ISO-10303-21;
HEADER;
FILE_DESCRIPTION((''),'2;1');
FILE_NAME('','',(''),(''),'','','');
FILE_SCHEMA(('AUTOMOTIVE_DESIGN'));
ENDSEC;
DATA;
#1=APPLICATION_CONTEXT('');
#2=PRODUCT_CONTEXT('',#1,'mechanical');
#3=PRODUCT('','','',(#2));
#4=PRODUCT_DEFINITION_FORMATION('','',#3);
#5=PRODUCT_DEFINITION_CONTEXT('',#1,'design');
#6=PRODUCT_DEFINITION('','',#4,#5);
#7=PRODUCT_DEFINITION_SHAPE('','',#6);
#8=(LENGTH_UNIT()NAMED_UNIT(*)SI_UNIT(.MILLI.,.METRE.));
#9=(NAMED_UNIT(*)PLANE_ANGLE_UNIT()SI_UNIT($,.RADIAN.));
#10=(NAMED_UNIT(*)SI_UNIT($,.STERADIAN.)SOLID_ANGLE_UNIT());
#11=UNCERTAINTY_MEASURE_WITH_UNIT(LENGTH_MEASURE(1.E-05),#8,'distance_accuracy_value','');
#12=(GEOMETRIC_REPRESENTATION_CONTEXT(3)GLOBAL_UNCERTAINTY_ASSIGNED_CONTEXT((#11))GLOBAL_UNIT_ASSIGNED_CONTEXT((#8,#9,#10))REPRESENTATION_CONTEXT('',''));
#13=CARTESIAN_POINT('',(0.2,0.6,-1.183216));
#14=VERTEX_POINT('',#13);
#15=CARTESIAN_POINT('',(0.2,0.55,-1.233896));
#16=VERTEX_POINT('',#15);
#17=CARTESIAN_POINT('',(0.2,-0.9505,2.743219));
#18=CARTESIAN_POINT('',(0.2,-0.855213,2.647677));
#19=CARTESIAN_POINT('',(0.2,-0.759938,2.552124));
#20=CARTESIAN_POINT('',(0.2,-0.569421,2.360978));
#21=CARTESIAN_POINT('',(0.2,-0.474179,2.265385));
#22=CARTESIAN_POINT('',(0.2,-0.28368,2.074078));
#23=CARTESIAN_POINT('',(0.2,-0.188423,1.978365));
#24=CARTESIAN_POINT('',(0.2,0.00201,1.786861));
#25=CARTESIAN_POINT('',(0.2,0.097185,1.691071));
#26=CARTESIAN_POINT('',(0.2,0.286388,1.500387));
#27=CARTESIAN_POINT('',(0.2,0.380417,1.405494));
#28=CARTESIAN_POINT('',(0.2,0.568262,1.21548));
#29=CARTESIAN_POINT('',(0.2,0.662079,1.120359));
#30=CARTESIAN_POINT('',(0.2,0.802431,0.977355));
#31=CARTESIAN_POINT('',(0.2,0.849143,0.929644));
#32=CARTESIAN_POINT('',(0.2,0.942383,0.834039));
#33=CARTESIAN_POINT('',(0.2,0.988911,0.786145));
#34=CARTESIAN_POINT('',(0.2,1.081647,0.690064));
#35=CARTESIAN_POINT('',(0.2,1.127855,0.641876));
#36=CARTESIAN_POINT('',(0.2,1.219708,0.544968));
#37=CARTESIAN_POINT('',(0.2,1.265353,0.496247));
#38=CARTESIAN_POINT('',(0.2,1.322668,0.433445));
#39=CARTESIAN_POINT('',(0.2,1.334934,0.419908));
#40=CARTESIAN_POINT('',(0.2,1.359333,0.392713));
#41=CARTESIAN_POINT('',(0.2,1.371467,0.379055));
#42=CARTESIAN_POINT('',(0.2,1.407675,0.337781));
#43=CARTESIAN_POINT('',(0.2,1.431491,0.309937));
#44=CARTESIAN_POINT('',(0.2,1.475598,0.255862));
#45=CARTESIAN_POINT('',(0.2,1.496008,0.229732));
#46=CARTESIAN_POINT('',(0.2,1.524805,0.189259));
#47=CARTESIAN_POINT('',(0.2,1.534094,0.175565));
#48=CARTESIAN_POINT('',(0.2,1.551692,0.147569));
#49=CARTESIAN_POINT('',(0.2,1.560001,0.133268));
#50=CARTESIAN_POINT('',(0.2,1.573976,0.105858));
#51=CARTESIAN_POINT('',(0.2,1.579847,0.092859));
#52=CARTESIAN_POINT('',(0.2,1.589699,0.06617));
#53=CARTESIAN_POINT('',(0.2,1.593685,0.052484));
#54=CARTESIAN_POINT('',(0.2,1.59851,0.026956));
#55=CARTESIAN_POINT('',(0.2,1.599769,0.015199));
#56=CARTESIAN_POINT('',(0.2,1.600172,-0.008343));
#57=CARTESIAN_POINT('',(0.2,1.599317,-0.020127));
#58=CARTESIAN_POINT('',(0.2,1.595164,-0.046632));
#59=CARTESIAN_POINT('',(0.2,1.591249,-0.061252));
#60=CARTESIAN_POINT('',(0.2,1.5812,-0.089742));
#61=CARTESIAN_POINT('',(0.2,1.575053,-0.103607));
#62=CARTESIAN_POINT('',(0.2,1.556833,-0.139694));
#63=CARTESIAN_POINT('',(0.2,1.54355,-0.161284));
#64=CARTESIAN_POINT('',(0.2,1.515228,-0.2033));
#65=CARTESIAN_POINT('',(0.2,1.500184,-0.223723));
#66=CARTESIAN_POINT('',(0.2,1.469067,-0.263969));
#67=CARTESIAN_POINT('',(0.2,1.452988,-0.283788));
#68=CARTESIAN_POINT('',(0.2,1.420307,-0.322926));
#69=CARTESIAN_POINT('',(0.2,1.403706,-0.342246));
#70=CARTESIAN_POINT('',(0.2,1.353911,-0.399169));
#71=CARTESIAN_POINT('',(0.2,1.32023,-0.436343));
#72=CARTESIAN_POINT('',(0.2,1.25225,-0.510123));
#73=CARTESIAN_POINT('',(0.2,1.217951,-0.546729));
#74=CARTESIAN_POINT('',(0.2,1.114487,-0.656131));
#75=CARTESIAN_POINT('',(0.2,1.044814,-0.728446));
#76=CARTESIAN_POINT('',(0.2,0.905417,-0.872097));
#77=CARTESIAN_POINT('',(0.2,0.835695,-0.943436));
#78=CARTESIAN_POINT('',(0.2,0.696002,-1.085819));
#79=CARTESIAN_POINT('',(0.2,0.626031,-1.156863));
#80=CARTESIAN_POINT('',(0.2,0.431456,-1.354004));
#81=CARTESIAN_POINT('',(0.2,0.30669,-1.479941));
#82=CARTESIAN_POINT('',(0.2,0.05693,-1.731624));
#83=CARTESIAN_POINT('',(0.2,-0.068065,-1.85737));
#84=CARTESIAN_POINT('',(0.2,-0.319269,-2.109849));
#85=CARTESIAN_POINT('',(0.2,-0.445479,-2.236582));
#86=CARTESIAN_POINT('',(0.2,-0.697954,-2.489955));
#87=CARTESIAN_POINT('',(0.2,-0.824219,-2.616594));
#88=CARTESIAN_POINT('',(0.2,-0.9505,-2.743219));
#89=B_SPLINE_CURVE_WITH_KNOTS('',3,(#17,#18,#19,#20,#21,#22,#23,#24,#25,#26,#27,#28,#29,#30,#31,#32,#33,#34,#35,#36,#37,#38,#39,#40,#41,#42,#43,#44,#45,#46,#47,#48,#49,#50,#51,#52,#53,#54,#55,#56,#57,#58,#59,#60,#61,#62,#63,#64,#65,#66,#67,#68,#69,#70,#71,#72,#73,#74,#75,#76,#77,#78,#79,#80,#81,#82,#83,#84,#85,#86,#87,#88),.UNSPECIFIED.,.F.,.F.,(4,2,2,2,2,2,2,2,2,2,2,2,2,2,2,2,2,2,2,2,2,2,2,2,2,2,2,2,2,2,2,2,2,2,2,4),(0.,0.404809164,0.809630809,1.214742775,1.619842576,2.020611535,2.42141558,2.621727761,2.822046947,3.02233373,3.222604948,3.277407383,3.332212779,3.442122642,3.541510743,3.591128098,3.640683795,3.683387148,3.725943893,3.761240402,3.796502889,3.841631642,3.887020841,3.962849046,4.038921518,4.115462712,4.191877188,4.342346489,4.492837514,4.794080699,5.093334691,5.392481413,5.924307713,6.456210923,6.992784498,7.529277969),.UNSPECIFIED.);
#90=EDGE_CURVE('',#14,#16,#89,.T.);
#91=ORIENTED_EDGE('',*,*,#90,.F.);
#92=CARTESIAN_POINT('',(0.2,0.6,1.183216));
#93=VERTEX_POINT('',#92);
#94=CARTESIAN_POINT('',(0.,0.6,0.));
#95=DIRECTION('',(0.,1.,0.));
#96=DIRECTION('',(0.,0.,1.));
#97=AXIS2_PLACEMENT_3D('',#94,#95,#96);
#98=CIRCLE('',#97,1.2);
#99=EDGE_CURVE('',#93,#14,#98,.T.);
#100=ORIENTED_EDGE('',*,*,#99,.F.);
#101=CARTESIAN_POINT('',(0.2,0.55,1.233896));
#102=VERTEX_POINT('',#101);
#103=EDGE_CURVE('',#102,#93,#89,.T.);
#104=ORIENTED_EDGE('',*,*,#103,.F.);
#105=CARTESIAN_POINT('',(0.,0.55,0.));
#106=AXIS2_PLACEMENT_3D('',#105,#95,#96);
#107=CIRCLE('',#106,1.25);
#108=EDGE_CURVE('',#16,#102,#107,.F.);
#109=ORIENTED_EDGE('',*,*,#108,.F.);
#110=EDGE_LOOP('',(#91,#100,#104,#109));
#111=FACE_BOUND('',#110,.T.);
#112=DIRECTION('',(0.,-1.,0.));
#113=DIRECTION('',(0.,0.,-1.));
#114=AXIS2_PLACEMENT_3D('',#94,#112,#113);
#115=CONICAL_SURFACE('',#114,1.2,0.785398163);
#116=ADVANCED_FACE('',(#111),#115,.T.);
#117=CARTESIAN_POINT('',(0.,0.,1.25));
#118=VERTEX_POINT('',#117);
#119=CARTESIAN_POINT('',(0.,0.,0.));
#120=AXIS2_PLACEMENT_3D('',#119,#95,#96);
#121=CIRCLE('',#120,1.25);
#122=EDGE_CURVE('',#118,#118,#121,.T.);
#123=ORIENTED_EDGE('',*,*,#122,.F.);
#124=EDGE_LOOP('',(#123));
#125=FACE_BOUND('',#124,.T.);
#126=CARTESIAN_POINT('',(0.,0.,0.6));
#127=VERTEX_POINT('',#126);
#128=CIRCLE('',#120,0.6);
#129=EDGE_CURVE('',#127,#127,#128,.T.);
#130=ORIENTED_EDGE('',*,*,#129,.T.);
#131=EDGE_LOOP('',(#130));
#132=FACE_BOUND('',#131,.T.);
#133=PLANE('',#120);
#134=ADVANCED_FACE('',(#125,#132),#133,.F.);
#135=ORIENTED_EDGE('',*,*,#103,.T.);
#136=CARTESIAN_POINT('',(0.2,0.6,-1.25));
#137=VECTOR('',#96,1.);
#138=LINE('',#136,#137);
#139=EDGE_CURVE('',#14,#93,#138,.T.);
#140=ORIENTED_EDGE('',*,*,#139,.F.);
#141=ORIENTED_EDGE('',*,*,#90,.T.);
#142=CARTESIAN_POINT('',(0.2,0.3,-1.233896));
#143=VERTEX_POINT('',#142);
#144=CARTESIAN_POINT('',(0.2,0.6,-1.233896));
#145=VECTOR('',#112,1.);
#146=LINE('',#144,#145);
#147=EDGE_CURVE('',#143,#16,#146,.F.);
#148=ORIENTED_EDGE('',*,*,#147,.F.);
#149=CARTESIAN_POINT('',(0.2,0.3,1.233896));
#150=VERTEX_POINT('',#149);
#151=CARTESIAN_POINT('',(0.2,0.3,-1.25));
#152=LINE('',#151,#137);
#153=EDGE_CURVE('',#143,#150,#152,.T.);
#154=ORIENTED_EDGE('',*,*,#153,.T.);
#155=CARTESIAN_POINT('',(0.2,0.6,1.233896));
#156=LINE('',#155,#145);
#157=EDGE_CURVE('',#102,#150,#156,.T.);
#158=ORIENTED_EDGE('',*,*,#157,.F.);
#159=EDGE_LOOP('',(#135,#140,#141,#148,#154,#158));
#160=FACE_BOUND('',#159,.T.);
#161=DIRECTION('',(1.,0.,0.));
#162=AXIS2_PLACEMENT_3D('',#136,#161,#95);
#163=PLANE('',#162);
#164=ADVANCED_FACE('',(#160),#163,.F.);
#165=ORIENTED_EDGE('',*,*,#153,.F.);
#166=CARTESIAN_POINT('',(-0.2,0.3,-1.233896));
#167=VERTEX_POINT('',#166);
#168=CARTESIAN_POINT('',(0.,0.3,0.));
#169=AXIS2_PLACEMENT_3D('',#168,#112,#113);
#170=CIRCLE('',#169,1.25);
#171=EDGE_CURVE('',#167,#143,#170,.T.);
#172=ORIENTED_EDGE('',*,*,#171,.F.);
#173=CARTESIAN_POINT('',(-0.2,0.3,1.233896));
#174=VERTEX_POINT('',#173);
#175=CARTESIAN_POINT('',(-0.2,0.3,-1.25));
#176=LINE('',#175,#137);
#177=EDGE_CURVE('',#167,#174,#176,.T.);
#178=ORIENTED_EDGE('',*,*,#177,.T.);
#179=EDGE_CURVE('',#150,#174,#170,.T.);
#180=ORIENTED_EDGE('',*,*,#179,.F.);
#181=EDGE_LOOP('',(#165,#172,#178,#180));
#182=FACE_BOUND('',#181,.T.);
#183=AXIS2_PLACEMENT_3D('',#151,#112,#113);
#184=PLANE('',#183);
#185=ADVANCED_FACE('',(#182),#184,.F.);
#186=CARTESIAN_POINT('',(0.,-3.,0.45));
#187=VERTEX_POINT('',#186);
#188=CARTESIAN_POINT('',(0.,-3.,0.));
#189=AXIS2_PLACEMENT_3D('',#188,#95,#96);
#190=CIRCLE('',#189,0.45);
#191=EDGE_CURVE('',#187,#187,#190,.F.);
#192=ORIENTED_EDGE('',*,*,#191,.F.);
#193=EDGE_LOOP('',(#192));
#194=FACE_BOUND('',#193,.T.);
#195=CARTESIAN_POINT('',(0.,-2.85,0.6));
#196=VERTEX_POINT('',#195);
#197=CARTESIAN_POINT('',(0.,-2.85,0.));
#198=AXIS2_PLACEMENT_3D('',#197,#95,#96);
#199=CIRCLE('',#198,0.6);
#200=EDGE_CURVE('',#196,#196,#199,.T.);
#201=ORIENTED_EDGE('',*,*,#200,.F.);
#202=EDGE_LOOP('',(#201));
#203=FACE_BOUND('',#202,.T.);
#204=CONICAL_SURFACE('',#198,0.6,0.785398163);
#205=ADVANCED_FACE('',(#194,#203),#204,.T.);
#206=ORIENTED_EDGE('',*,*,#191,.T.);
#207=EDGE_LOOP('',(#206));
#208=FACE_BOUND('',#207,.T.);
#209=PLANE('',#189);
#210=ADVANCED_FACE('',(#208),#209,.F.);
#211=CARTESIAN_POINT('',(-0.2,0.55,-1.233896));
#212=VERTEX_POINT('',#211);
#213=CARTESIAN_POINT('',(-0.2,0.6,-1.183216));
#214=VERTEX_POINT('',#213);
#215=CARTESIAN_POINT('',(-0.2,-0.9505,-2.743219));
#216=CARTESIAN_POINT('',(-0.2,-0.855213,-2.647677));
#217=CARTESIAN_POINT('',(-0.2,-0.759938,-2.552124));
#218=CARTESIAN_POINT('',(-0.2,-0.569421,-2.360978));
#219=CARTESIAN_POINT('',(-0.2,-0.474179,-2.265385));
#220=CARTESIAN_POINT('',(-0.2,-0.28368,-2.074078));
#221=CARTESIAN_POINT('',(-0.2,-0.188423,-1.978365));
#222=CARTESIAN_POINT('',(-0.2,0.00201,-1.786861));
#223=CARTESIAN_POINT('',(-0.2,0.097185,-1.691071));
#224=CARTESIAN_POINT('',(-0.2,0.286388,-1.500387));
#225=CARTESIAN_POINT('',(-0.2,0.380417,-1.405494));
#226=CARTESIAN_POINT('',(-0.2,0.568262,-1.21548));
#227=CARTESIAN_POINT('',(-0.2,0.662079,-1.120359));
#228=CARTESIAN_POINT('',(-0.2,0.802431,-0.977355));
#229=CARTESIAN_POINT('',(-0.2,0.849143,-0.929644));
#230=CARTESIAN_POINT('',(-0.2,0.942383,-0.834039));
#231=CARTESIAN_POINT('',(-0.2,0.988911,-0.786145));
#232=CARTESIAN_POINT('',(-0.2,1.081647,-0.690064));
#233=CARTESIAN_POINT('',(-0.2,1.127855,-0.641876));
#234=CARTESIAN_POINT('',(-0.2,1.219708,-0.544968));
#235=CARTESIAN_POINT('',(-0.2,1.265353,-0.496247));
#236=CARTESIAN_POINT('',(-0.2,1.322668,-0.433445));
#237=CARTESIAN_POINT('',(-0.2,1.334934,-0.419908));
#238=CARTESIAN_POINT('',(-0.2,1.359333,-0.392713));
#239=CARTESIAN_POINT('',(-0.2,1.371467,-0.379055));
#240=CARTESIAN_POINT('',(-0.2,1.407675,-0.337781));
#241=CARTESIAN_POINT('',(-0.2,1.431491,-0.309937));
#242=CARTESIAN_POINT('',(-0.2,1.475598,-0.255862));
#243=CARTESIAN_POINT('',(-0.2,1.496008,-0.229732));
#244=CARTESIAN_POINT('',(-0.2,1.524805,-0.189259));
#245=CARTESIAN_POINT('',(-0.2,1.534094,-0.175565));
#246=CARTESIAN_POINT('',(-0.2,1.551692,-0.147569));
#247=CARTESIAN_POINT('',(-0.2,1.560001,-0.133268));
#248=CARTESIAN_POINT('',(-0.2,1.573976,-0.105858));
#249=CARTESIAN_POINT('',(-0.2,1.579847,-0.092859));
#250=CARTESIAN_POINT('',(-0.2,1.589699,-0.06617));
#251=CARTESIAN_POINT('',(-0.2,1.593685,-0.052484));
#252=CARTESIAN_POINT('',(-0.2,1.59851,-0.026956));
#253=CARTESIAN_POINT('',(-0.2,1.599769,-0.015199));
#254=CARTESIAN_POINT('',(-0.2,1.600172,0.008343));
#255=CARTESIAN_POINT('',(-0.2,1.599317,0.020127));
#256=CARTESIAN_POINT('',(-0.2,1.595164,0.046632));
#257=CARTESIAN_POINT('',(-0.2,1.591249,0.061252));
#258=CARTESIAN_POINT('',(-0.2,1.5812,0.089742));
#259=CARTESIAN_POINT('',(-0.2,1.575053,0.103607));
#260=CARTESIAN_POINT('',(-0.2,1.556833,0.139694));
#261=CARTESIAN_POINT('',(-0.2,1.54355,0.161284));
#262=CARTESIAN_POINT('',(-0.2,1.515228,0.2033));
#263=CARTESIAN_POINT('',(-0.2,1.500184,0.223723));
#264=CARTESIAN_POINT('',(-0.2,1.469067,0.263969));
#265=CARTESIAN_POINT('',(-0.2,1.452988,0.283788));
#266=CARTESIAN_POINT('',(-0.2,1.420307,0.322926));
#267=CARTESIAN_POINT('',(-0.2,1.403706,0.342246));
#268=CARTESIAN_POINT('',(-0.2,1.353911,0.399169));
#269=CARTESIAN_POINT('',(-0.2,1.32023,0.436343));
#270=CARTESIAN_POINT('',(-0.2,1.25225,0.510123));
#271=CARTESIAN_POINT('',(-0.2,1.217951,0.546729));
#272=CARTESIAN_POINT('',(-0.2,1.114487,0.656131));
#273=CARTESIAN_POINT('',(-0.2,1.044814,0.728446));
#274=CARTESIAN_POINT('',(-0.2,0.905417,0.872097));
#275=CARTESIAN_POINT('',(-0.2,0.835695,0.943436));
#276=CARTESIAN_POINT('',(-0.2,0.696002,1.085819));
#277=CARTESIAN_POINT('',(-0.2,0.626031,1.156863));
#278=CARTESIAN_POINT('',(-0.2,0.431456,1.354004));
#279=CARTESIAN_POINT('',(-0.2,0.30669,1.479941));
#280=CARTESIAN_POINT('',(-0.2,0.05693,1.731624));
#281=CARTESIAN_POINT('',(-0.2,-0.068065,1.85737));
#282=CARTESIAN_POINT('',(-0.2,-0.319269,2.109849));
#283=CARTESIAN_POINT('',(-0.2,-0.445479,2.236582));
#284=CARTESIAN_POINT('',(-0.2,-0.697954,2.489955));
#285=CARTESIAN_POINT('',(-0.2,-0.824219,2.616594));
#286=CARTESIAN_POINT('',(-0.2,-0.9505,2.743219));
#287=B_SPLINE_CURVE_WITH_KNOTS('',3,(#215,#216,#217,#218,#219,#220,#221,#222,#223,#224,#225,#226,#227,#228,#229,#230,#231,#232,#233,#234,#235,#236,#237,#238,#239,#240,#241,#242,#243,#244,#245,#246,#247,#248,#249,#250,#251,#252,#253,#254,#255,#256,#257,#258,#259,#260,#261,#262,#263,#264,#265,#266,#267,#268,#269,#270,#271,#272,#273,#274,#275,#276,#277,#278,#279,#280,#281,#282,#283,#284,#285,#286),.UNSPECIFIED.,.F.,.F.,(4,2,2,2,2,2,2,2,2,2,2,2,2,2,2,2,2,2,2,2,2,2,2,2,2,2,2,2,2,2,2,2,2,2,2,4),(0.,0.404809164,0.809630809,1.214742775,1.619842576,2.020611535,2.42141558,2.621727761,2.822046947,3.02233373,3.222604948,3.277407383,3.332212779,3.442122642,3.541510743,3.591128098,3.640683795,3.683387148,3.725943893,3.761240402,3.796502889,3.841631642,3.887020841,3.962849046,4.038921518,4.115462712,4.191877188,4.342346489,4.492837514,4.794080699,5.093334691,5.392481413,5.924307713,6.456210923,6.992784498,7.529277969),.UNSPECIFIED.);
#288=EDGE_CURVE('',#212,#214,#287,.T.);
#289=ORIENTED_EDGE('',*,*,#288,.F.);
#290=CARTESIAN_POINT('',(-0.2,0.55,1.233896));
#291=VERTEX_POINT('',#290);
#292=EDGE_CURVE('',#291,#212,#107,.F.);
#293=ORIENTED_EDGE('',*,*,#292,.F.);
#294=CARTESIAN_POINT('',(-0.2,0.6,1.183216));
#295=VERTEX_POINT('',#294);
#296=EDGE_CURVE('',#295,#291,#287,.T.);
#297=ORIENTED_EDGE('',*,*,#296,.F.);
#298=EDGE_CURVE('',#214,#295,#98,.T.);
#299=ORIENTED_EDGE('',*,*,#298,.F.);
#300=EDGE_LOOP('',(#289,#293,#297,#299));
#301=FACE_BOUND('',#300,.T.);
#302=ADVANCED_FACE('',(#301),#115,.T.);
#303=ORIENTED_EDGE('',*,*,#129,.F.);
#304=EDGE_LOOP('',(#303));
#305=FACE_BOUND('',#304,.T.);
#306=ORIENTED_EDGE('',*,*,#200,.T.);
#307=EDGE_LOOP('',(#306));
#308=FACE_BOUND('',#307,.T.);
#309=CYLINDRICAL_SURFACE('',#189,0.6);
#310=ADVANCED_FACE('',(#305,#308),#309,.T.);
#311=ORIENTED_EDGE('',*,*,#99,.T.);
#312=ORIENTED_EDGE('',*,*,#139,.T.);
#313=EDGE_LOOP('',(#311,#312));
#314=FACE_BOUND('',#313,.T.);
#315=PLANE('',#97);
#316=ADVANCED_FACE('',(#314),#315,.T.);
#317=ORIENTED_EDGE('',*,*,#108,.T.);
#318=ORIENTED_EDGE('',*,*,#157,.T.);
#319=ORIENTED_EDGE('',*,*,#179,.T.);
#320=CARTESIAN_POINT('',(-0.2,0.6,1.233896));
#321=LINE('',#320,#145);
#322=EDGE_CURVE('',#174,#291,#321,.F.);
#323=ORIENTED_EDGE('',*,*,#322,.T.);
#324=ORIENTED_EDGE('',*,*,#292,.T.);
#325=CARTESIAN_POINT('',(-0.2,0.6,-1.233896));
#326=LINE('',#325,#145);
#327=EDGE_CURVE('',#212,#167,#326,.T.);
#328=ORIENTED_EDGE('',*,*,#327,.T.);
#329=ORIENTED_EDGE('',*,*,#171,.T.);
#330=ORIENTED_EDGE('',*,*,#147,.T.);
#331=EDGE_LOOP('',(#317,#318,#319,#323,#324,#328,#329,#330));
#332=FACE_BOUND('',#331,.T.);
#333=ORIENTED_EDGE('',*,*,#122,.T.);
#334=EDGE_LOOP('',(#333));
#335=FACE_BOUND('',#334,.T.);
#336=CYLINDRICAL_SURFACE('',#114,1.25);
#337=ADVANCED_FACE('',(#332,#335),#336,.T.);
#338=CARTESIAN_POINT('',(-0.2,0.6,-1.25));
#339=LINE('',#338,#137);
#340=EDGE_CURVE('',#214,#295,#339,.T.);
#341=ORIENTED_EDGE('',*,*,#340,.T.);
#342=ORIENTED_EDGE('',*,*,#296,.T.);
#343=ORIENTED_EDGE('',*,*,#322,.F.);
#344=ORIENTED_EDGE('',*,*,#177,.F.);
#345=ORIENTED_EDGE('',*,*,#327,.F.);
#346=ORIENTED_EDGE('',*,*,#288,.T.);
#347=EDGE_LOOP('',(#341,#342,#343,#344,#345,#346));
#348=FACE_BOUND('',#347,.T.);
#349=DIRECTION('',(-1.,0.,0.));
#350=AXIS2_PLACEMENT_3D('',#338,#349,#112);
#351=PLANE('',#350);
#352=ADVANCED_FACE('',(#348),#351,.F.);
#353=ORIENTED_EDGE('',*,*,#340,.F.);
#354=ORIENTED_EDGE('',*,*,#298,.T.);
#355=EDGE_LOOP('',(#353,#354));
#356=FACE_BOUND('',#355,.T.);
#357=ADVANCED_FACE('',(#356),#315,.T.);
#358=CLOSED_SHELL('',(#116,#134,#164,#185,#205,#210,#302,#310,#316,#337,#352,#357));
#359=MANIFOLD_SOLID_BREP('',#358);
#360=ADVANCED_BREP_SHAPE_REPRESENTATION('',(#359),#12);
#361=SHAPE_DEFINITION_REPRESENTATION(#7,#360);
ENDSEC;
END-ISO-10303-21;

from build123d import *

# Parameters (mm, degrees)
SKETCH1_R               = 1.25
BOSS_EXTRUDE1_DEPTH     = 0.6
SKETCH2_R               = 0.6
BOSS_EXTRUDE2_DEPTH     = 3
CHAMFER1_SIZE           = 0.05
CHAMFER2_SIZE           = 0.15
CUT_EXTRUDE1_DEPTH      = 2.25
CUT_EXTRUDE1_DEPTH_BACK = 2.25


with BuildPart() as part:
    # Sketch1 → Boss-Extrude1 (new body)
    with BuildSketch(Plane(origin=(0, 0, 0), x_dir=(1, 0, 0), z_dir=(0, 1, 0))):
        Circle(SKETCH1_R)
    extrude(amount=BOSS_EXTRUDE1_DEPTH)

    # Sketch2 → Boss-Extrude2 (add)
    with BuildSketch(Plane(origin=(0, 0, 0), x_dir=(1, 0, 0), z_dir=(0, 1, 0))):
        Circle(SKETCH2_R)
    extrude(amount=-BOSS_EXTRUDE2_DEPTH)

    # Chamfer1
    chamfer1_edges = [part.edges().sort_by_distance(p)[0] for p in [
        (-1.25, 0.6, 0),
    ]]
    chamfer(chamfer1_edges, length=CHAMFER1_SIZE)

    # Chamfer2
    chamfer2_edges = [part.edges().sort_by_distance(p)[0] for p in [
        (-0.6, -3, 0),
    ]]
    chamfer(chamfer2_edges, length=CHAMFER2_SIZE)

    # Sketch3 → Cut-Extrude1 (cut, two sides)
    with BuildSketch(Plane.XY) as cut_extrude1_sk:
        Polygon((-0.2, 0.6), (0, 0.6), (0.2, 0.6), (0.2, 0.3), (0, 0.3), (-0.2, 0.3), align=None)
    extrude(amount=CUT_EXTRUDE1_DEPTH, mode=Mode.SUBTRACT)
    extrude(cut_extrude1_sk.sketch, amount=-CUT_EXTRUDE1_DEPTH_BACK, mode=Mode.SUBTRACT)


solid = part.part
